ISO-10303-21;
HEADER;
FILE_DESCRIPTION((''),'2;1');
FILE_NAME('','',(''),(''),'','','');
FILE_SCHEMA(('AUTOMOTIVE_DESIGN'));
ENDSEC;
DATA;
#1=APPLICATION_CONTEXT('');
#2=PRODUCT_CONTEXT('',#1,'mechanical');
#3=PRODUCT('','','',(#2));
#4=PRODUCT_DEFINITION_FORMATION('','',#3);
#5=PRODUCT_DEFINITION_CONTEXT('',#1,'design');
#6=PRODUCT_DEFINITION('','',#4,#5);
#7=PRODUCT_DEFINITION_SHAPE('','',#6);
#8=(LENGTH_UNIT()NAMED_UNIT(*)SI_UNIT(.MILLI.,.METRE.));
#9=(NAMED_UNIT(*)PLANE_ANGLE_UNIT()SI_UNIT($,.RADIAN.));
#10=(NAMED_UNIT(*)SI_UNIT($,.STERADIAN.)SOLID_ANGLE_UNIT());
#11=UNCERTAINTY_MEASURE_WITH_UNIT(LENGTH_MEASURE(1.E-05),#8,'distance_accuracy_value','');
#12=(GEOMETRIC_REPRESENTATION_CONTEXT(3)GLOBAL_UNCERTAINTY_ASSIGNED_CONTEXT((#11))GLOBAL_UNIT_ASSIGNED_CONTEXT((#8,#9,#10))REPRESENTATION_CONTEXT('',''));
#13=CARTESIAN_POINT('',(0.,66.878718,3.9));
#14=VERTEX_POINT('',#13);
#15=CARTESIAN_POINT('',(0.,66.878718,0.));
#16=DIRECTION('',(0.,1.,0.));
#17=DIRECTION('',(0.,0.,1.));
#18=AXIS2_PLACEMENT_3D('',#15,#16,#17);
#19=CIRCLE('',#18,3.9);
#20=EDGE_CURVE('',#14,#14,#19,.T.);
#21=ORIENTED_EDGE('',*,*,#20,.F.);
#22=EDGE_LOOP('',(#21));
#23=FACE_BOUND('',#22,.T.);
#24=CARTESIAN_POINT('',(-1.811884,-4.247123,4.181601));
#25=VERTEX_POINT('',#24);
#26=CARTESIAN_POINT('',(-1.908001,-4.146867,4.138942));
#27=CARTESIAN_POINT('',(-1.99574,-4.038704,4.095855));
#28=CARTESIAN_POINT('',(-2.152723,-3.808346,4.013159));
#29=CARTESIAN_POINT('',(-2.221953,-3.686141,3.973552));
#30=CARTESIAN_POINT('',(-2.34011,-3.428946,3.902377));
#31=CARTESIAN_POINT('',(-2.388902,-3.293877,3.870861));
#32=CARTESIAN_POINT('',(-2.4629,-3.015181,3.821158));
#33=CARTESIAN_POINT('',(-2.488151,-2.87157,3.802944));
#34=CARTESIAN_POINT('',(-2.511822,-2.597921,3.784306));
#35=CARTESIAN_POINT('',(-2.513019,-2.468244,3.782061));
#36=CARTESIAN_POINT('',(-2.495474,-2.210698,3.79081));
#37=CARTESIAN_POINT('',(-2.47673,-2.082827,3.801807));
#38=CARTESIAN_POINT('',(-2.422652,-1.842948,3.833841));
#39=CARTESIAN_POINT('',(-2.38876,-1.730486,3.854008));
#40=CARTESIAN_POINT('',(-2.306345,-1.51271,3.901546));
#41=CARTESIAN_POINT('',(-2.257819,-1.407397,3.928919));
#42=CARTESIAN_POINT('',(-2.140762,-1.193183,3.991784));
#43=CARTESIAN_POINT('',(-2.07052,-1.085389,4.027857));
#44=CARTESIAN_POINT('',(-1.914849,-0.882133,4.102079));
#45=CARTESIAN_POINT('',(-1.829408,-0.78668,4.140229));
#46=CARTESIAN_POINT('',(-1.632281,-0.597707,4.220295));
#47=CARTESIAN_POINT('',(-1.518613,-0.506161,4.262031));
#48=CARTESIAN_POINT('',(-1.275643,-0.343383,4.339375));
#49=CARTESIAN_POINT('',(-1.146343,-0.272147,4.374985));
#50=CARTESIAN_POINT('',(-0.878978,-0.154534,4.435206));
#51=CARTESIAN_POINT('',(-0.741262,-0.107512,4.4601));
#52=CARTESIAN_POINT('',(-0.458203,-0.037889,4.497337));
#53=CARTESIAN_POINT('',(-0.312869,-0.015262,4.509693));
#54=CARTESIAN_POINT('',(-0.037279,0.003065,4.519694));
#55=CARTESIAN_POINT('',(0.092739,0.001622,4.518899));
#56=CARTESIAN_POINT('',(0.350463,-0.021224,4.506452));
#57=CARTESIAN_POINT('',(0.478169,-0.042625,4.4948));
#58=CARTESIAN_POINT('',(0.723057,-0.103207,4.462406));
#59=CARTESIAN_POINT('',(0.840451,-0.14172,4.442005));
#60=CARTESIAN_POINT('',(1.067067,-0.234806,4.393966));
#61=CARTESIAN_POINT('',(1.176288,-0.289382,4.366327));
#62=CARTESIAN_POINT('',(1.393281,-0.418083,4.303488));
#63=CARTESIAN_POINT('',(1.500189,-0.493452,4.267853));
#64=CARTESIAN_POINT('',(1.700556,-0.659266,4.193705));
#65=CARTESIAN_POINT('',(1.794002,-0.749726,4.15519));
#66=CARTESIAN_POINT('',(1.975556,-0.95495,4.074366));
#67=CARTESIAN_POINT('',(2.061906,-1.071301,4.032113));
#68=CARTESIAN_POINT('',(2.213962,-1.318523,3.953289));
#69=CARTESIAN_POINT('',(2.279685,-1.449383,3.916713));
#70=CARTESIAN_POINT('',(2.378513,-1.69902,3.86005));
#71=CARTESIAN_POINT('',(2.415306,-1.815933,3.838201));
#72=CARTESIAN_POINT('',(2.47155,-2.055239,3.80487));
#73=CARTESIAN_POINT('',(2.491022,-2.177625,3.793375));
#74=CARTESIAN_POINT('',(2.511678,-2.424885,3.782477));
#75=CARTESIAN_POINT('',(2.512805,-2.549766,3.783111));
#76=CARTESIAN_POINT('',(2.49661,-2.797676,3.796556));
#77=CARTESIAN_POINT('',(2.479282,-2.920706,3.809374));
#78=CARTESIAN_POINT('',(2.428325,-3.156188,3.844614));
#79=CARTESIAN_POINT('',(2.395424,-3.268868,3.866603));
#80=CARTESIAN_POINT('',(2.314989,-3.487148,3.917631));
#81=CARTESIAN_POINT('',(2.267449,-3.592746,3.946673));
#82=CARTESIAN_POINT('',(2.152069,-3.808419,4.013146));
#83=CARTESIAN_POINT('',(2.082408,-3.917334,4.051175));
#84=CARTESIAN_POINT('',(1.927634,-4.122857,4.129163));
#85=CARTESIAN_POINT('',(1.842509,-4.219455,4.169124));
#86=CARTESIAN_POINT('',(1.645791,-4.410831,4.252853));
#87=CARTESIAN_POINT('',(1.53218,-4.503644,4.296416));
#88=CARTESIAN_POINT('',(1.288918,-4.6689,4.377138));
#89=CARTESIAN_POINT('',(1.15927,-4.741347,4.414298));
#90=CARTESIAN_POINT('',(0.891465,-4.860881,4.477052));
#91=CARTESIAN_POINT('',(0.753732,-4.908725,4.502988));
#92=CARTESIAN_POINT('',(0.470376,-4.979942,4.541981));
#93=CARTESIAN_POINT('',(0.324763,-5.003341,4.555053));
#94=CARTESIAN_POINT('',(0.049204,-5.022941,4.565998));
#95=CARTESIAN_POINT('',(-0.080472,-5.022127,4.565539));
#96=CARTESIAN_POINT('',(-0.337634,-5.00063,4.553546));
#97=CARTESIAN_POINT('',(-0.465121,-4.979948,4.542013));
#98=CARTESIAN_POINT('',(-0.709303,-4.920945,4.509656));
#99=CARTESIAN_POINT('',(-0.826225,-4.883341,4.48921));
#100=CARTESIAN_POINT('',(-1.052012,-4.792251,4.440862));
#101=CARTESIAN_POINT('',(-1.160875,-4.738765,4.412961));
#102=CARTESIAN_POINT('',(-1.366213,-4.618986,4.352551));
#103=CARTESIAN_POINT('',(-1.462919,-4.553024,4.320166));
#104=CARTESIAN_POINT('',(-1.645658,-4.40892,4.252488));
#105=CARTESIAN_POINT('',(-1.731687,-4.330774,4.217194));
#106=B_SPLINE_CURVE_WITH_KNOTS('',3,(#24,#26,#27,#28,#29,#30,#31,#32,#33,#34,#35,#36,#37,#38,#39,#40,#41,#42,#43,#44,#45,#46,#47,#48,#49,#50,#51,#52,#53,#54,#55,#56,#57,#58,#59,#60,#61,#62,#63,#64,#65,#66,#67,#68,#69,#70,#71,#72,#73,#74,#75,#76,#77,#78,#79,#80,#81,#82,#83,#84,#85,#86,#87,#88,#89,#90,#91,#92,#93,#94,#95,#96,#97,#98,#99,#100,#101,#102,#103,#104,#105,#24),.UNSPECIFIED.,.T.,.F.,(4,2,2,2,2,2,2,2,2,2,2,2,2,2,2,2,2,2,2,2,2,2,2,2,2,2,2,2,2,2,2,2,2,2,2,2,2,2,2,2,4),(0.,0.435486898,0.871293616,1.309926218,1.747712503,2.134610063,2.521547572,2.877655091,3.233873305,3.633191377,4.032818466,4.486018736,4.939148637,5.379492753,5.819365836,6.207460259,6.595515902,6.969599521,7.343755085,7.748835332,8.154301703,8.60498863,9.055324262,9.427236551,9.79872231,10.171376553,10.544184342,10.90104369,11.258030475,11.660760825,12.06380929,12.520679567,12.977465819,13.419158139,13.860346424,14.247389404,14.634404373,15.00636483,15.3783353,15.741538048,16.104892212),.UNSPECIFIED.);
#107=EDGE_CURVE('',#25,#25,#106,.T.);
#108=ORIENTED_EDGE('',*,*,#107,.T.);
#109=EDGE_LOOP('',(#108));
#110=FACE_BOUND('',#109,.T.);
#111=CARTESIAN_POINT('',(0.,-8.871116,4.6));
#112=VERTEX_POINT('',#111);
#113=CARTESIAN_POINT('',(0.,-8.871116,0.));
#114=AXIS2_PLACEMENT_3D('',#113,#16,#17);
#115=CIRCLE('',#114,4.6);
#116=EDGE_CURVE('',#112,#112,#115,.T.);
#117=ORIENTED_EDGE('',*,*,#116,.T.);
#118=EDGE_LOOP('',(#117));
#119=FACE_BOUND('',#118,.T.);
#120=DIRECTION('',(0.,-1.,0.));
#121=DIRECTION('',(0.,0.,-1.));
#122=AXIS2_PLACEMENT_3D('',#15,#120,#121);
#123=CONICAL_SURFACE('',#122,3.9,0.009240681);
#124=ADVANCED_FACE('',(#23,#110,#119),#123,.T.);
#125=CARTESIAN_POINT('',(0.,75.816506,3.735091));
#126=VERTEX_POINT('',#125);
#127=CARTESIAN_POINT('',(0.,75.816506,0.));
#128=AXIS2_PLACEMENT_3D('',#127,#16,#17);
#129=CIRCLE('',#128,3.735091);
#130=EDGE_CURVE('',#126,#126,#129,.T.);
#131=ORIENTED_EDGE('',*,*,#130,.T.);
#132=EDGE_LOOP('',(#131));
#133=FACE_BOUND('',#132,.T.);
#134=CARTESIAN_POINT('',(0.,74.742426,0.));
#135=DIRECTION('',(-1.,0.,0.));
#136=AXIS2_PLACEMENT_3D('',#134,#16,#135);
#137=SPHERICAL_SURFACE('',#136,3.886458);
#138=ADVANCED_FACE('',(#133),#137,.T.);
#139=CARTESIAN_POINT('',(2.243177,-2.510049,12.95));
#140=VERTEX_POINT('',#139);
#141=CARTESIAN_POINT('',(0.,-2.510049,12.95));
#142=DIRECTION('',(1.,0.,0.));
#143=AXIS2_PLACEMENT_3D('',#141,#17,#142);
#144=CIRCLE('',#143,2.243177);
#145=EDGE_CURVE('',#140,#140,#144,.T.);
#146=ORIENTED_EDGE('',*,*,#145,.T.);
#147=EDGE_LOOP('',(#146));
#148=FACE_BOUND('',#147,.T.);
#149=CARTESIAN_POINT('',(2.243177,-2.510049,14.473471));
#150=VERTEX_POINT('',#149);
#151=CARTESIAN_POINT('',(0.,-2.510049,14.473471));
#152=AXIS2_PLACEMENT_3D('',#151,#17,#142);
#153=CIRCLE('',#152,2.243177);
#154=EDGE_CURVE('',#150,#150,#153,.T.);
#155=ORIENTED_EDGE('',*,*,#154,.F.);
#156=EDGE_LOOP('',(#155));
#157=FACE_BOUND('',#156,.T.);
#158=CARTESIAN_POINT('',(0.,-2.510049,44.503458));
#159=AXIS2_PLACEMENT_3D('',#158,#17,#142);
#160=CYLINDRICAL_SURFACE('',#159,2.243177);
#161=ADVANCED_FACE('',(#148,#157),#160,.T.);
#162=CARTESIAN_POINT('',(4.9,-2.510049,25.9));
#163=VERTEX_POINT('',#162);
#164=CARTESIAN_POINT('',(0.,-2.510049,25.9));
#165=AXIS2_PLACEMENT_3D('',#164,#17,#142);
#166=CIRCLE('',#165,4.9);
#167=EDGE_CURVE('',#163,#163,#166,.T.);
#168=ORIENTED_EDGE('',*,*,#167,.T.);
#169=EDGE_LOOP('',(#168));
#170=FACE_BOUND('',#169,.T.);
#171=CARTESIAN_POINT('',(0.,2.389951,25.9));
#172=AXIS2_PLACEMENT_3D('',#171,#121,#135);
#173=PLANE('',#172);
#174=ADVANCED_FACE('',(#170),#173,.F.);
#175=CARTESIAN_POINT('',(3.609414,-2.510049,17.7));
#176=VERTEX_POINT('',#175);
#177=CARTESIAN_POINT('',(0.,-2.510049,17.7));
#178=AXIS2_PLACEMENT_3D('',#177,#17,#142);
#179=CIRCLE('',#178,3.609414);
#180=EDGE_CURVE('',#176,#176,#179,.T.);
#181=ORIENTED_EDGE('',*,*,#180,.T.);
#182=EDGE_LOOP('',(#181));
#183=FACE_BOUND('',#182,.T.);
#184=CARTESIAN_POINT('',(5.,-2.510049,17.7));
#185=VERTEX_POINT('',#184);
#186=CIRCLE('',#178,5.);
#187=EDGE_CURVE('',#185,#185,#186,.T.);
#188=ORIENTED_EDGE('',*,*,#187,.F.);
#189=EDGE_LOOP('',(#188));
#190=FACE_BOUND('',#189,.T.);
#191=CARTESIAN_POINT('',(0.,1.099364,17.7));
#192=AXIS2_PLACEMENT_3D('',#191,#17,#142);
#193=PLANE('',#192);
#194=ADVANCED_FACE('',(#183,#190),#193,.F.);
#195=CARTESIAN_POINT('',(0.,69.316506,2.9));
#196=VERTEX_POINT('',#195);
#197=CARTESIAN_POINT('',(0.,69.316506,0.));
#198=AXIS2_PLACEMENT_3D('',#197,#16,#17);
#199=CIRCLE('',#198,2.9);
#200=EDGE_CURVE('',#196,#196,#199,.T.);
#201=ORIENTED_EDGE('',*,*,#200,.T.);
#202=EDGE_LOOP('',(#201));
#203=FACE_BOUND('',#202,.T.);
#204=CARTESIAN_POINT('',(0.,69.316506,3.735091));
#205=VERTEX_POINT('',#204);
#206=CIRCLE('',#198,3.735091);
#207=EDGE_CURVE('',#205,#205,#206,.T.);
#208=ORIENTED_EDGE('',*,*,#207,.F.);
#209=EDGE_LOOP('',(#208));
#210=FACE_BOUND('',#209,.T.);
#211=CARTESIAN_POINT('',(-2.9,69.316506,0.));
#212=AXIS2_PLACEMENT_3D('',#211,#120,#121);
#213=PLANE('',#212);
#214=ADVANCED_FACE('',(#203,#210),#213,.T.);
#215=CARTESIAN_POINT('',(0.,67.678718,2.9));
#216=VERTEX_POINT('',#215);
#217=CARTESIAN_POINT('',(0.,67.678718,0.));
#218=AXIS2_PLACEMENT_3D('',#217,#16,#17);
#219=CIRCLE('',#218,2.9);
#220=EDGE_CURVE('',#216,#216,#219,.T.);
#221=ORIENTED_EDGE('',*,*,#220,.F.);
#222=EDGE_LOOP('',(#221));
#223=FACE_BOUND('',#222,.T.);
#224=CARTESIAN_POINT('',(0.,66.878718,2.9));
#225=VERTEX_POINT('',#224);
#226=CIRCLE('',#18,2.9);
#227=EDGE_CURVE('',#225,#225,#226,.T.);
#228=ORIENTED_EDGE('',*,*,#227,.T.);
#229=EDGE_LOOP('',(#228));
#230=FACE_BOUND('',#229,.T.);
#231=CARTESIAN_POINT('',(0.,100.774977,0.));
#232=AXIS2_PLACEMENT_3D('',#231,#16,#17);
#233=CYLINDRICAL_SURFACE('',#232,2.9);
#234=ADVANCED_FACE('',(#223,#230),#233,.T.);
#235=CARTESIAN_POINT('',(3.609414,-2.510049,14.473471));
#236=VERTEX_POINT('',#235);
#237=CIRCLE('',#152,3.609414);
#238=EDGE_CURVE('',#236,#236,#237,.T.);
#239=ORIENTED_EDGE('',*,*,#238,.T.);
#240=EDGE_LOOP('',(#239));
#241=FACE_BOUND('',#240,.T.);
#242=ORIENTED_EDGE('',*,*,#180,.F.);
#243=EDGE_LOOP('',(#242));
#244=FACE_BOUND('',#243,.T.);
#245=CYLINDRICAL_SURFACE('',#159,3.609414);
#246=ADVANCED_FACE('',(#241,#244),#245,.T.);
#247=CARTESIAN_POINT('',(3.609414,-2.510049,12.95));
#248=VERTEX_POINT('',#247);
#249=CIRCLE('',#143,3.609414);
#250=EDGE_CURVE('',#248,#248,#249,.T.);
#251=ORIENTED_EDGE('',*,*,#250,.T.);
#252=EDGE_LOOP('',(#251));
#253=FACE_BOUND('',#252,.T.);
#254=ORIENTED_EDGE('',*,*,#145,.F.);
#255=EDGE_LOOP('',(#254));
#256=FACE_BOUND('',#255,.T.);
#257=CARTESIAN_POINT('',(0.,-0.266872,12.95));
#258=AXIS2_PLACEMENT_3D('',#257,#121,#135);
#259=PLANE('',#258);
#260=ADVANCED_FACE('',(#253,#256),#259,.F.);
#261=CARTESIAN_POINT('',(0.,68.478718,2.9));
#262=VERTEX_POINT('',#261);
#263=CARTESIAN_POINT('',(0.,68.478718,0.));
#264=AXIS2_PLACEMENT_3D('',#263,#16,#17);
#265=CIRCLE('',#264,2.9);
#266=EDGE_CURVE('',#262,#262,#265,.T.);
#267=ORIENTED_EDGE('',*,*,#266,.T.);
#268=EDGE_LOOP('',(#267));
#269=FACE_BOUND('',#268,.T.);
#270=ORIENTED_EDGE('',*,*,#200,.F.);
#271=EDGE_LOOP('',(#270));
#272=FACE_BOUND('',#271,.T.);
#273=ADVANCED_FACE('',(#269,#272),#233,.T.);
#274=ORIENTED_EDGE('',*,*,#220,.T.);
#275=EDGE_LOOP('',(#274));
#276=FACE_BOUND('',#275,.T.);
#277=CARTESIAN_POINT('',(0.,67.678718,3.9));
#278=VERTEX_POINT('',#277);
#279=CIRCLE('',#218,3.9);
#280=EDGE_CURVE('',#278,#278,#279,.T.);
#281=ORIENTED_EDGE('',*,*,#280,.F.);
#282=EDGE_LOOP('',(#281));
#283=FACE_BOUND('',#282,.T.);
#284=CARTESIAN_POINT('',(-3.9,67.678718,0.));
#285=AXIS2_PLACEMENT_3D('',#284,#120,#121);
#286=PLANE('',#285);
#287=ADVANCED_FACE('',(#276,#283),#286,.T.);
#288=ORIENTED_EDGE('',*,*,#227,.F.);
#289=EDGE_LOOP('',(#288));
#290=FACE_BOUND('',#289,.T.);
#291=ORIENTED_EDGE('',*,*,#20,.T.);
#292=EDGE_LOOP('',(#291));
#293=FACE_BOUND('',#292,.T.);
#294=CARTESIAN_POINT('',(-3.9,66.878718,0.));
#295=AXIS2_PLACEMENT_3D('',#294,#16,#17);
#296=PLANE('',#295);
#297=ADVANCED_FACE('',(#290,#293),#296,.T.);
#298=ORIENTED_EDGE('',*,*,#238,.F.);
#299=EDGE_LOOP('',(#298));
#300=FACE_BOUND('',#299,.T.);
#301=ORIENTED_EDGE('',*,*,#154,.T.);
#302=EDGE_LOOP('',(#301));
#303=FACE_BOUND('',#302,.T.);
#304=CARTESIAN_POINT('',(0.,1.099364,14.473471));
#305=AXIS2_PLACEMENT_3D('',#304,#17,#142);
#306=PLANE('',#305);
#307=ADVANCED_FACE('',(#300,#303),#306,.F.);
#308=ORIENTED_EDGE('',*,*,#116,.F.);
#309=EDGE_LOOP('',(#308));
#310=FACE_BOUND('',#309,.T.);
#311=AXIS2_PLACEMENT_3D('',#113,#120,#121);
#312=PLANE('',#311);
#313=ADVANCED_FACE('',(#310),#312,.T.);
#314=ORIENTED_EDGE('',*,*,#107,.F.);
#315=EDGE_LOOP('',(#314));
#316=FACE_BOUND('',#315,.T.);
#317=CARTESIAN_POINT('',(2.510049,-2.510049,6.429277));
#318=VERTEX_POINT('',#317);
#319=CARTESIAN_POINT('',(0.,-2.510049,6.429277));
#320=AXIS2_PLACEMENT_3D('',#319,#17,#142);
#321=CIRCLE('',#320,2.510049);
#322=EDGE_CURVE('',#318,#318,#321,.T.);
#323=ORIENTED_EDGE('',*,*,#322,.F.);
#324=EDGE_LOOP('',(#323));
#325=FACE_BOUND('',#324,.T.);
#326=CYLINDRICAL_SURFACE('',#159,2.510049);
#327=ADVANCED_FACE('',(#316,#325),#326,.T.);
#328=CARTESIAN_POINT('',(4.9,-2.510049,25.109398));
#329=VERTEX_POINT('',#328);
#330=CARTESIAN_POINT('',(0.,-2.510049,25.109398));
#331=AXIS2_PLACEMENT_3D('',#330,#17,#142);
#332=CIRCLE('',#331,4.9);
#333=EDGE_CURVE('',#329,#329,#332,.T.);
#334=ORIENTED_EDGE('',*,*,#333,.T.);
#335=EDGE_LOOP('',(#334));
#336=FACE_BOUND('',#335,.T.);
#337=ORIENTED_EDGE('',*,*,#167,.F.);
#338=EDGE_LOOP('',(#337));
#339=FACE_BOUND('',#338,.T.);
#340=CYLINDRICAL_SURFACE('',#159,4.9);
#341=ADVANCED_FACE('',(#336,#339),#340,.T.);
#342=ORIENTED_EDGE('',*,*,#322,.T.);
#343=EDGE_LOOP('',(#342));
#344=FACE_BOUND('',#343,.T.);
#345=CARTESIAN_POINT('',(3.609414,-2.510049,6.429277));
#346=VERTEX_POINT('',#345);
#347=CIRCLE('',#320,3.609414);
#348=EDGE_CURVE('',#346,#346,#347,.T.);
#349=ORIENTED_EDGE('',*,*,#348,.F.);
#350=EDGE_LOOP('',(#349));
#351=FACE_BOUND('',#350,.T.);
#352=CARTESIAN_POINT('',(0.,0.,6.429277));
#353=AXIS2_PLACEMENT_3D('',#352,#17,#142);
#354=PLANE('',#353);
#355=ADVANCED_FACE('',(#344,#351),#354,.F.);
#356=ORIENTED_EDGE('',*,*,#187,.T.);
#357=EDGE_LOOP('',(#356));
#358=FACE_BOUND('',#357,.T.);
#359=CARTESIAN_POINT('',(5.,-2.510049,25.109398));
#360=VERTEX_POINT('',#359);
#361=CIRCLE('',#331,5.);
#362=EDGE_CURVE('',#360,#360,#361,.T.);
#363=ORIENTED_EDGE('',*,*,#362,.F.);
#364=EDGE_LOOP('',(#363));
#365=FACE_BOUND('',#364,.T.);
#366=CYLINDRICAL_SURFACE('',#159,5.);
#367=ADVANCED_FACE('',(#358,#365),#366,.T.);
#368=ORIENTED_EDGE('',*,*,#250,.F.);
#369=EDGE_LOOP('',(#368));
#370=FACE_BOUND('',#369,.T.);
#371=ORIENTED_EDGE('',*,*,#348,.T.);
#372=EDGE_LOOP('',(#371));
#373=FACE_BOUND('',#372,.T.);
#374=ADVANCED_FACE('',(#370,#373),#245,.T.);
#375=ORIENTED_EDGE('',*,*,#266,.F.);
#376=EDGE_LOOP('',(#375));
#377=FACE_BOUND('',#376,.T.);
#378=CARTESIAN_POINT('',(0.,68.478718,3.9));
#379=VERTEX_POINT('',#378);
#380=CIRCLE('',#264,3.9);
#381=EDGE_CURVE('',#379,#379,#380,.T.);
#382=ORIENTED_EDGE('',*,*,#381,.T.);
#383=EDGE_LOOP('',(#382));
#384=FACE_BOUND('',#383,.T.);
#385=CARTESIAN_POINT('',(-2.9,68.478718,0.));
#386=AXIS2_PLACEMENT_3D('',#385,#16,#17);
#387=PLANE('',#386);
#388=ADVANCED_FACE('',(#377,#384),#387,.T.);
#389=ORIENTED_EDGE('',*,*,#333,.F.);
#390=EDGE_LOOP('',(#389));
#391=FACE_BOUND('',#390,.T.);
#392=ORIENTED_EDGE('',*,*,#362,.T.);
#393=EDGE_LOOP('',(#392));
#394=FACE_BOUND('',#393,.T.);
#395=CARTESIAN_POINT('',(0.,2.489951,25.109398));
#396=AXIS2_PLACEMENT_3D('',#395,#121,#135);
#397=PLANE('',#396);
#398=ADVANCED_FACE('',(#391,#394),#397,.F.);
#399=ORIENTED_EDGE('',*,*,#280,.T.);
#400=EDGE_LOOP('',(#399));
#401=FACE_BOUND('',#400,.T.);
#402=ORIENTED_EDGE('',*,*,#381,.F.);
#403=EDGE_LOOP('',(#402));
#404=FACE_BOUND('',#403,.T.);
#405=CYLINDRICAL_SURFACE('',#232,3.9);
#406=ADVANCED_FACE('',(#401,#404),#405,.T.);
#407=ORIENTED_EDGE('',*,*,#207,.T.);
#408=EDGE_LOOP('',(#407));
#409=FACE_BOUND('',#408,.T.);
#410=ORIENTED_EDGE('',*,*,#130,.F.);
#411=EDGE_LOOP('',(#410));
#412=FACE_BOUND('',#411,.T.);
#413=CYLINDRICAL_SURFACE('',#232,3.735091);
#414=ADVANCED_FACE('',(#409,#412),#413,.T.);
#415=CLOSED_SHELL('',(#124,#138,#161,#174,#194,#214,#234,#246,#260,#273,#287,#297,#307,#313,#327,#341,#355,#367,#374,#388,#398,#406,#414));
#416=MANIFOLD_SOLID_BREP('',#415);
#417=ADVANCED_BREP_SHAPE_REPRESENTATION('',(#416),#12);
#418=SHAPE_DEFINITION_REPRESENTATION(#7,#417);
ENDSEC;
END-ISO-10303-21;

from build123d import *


with BuildPart() as part:
    # 草图1 → 旋转1 (revolve)
    with BuildSketch(Plane.XY, mode=Mode.PRIVATE) as revolve_1_sk:
        with BuildLine():
            Line((0, -8.871116041), (-4.6, -8.871116041))
            Line((-4.6, -8.871116041), (-3.9, 66.878718358))
            Line((-3.9, 66.878718358), (-2.9, 66.878718358))
            Line((-2.9, 66.878718358), (-2.9, 67.678718358))
            Line((-2.9, 67.678718358), (-3.9, 67.678718358))
            Line((-3.9, 67.678718358), (-3.9, 68.478718358))
            Line((-3.9, 68.478718358), (-2.9, 68.478718358))
            Line((-2.9, 68.478718358), (-2.9, 69.316506289))
            Line((-2.9, 69.316506289), (-3.735091076, 69.316506289))
            Line((-3.735091076, 69.316506289), (-3.735091076, 75.816506289))
            ThreePointArc((-3.735091076, 75.816506289), (-2.337753917, 77.847174239), (0, 78.628883959))
            Line((0, 78.628883959), (0, -8.871116041))
        make_face()
    revolve(revolve_1_sk.sketch.rotate(Axis((0, 100.774977187, 0), (0, -1, 0)), 270), axis=Axis((0, 100.774977187, 0), (0, -1, 0)))

    # 草图2 → Revolve 883 (revolve)
    with BuildSketch(Plane(origin=(0, 0, 0), x_dir=(0, 0, -1), z_dir=(1, 0, 0)), mode=Mode.PRIVATE) as revolve_883_sk:
        Polygon((0, 0), (-6.429276603, 0), (-6.429276603, 1.099364131), (-12.95, 1.099364131), (-12.95, -0.266872358), (-14.47347065, -0.266872358), (-14.47347065, 1.099364131), (-17.7, 1.099364131), (-17.7, 2.489950524), (-25.109397803, 2.489950524), (-25.109397803, 2.389950524), (-25.9, 2.389950524), (-25.9, -2.510049476), (0, -2.510049476), align=None)
    revolve(revolve_883_sk.sketch.rotate(Axis((0, -2.510049476, 44.503458482), (0, 0, -1)), 90), axis=Axis((0, -2.510049476, 44.503458482), (0, 0, -1)))


solid = part.part
